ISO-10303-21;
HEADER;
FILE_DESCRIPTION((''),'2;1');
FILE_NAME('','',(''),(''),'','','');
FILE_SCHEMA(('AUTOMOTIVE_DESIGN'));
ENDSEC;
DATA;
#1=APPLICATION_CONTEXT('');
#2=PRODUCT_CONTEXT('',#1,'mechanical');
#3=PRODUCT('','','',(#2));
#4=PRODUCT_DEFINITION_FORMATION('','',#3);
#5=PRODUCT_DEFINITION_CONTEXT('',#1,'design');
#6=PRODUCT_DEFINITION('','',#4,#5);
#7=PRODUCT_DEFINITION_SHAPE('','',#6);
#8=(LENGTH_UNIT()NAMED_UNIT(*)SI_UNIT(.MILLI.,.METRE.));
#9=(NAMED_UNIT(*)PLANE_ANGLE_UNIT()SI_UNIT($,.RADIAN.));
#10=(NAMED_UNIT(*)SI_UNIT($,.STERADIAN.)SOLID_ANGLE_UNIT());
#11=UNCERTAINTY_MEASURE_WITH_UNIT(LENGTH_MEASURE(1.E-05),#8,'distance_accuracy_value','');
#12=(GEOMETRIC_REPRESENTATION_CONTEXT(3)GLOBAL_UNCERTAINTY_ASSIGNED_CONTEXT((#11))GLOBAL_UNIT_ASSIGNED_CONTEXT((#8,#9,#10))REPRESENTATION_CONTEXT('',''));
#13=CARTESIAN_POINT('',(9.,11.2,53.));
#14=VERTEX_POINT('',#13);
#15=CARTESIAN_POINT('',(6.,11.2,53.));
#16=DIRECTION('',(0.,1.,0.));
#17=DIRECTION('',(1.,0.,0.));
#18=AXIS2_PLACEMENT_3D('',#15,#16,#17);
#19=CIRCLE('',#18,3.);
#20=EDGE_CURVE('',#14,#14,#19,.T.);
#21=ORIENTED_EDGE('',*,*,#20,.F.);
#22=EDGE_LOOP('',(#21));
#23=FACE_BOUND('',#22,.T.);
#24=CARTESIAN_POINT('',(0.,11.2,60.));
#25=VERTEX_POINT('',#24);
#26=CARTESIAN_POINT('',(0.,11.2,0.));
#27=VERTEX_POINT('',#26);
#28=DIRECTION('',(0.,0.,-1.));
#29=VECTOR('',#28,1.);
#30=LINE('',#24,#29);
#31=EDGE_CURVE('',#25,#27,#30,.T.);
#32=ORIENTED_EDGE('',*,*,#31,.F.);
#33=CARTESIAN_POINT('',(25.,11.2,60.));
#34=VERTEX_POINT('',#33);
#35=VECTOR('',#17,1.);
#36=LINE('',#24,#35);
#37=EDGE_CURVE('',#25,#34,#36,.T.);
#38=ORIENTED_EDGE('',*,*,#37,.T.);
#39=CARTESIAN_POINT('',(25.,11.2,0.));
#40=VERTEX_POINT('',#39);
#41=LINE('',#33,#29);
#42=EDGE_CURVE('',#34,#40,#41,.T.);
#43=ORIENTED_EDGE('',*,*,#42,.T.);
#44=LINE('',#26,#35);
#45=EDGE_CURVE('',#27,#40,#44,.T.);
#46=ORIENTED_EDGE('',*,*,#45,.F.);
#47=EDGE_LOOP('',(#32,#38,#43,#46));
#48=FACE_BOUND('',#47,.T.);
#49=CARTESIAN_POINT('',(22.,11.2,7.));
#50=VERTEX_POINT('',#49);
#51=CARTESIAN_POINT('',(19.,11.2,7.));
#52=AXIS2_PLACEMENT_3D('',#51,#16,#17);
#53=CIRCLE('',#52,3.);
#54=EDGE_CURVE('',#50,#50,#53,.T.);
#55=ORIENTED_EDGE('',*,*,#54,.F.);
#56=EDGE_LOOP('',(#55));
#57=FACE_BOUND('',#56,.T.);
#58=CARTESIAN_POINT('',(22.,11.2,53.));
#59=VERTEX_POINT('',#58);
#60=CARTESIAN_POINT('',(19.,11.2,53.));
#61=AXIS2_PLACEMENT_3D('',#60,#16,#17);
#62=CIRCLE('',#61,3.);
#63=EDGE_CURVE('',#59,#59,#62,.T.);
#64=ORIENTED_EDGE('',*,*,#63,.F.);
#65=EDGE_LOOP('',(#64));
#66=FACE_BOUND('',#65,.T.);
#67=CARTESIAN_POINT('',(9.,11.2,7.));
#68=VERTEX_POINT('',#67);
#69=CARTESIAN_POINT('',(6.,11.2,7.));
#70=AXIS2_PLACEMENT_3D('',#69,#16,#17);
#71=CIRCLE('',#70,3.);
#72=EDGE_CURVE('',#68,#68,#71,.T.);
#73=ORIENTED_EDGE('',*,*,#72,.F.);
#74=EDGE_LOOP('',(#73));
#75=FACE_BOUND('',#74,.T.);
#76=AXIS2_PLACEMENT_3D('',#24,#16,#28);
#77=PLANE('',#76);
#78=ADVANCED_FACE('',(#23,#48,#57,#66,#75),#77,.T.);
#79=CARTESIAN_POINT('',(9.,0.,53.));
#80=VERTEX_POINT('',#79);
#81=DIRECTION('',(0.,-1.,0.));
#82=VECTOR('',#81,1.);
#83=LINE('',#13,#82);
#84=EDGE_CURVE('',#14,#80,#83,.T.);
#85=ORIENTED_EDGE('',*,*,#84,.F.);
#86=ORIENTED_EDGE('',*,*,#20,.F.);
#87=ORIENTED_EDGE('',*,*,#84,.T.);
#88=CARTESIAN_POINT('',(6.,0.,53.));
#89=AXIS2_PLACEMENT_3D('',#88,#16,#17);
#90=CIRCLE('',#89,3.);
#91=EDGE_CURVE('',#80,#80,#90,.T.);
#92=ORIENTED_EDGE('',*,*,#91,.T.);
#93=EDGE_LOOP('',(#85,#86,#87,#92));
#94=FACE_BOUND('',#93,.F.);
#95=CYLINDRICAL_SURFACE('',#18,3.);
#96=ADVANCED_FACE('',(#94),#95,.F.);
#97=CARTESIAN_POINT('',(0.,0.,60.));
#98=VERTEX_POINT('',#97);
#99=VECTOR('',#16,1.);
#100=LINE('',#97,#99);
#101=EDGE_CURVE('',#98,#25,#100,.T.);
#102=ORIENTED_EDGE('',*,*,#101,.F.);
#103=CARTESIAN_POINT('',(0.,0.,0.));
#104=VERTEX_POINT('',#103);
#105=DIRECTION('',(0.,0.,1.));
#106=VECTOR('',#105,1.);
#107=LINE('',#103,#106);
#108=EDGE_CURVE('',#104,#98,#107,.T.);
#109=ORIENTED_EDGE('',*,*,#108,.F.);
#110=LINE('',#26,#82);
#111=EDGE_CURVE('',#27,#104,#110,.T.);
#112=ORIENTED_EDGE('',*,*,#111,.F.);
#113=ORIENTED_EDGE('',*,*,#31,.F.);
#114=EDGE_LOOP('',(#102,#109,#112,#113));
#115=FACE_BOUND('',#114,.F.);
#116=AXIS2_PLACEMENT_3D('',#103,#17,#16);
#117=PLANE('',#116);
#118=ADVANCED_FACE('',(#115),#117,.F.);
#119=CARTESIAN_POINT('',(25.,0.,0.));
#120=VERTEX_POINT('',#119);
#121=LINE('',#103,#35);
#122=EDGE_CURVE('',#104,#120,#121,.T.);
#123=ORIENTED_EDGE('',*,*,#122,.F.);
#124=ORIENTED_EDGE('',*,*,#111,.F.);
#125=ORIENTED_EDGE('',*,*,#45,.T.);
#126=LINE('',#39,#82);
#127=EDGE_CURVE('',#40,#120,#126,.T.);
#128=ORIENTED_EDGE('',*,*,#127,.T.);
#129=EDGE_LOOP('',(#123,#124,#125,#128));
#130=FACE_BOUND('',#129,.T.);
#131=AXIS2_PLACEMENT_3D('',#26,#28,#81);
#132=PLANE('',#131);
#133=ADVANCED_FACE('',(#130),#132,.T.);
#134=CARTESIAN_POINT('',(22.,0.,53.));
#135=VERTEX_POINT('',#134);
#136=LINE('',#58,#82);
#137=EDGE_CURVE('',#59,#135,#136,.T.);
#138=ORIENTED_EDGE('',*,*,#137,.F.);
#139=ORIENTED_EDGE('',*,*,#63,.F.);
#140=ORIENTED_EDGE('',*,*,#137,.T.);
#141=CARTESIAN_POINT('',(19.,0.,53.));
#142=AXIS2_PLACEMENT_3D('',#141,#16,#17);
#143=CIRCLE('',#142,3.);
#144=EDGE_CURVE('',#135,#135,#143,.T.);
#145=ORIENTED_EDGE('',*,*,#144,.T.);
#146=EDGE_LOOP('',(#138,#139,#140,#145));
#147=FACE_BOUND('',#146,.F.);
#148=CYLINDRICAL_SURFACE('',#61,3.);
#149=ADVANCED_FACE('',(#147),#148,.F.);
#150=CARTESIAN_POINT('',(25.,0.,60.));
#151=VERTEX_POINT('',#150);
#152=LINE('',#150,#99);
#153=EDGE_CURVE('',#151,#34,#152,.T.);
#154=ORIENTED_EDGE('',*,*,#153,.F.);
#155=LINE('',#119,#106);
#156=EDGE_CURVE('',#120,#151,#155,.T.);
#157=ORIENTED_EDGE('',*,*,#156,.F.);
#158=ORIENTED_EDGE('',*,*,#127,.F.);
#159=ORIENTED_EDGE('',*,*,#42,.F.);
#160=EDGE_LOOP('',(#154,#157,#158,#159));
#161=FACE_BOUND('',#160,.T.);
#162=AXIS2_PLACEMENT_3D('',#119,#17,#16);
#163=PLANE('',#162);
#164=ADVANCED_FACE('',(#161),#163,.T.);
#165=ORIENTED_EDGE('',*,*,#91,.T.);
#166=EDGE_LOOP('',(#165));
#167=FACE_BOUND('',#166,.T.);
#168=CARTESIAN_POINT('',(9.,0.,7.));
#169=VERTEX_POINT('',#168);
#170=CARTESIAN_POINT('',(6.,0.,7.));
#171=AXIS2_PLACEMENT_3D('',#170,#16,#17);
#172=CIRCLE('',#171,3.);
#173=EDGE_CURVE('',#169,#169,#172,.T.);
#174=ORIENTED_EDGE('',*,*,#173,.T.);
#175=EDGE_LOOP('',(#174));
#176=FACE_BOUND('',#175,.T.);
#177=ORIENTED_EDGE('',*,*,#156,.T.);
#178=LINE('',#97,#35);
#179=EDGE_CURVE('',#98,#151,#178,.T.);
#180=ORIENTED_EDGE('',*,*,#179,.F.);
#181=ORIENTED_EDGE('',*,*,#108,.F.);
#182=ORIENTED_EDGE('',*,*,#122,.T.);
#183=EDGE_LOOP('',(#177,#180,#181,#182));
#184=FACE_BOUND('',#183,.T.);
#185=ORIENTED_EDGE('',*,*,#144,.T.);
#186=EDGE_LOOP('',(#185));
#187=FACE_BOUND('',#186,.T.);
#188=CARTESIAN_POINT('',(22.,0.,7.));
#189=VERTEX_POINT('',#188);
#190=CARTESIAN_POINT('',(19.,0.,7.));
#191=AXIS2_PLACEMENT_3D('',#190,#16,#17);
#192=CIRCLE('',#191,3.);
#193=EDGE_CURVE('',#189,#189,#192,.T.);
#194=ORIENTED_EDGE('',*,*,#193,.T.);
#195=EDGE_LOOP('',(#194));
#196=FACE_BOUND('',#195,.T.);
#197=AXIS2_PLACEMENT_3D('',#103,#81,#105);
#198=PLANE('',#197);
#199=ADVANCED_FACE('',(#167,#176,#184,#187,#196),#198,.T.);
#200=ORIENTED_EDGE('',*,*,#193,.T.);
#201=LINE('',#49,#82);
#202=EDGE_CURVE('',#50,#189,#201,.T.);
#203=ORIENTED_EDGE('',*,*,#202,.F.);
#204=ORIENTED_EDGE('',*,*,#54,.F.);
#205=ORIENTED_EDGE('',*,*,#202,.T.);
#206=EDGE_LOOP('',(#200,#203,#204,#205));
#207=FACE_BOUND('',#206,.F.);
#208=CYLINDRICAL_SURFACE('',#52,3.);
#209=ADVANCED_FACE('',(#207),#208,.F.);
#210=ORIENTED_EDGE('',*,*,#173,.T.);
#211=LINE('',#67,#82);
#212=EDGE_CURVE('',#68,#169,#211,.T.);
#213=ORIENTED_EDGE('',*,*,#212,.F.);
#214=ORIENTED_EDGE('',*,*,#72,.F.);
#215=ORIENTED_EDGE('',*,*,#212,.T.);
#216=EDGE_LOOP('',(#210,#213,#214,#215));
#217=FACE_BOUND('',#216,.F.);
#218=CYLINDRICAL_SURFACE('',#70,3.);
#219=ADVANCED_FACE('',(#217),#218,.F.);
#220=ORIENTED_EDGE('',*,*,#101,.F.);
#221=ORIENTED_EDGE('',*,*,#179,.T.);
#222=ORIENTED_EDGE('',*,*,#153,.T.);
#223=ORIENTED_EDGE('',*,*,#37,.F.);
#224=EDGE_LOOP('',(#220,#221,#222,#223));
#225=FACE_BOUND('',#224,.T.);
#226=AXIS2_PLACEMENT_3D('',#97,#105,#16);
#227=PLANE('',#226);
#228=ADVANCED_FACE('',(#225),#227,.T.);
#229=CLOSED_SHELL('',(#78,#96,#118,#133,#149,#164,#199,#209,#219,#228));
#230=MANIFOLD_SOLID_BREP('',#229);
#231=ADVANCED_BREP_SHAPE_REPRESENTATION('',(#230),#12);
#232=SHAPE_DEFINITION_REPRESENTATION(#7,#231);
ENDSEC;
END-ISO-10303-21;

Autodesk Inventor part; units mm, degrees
ref_plane "YZ Plane" through (0, 0, 0) normal (1, 0, 0) x (0, 1, 0)
ref_plane "XZ Plane" through (0, 0, 0) normal (0, 1, 0) x (-1, 0, 0)
ref_plane "XY Plane" through (0, 0, 0) normal (0, 0, 1) x (1, 0, 0)
sketch "Sketch1" plane through (0, 0, 0) normal (1, 0, 0) x (0, 1, 0)
  line L0 (0, 0) -> (0, 60)
  line L1 (0, 60) -> (11.2, 60)
  line L2 (11.2, 60) -> (11.2, 0)
  line L3 (11.2, 0) -> (0, 0)
  dimension "d2" = 60
  dimension "d4" = 11.2
extrude "Extrusion1" add sketch "Sketch1" along normal blind 25
sketch "Sketch2" plane through (0, 11.2, 60) normal (0, 1, 0) x (1, 0, 0)
  circle A0 centre (6, 53) radius 3
  point P0 (0, 60)
  dimension "d7" = 6
  dimension "d8" = 6
  dimension "d9" = 7
extrude "Extrusion2" cut sketch "Sketch2" against normal blind 20
pattern_linear "Rectangular Pattern1" count 2 spacing 46 along (0, 0, 1) count 2 spacing 13 along (1, 0, 0) of "Extrusion2"
properties part number "BK10_3030_Mount"
